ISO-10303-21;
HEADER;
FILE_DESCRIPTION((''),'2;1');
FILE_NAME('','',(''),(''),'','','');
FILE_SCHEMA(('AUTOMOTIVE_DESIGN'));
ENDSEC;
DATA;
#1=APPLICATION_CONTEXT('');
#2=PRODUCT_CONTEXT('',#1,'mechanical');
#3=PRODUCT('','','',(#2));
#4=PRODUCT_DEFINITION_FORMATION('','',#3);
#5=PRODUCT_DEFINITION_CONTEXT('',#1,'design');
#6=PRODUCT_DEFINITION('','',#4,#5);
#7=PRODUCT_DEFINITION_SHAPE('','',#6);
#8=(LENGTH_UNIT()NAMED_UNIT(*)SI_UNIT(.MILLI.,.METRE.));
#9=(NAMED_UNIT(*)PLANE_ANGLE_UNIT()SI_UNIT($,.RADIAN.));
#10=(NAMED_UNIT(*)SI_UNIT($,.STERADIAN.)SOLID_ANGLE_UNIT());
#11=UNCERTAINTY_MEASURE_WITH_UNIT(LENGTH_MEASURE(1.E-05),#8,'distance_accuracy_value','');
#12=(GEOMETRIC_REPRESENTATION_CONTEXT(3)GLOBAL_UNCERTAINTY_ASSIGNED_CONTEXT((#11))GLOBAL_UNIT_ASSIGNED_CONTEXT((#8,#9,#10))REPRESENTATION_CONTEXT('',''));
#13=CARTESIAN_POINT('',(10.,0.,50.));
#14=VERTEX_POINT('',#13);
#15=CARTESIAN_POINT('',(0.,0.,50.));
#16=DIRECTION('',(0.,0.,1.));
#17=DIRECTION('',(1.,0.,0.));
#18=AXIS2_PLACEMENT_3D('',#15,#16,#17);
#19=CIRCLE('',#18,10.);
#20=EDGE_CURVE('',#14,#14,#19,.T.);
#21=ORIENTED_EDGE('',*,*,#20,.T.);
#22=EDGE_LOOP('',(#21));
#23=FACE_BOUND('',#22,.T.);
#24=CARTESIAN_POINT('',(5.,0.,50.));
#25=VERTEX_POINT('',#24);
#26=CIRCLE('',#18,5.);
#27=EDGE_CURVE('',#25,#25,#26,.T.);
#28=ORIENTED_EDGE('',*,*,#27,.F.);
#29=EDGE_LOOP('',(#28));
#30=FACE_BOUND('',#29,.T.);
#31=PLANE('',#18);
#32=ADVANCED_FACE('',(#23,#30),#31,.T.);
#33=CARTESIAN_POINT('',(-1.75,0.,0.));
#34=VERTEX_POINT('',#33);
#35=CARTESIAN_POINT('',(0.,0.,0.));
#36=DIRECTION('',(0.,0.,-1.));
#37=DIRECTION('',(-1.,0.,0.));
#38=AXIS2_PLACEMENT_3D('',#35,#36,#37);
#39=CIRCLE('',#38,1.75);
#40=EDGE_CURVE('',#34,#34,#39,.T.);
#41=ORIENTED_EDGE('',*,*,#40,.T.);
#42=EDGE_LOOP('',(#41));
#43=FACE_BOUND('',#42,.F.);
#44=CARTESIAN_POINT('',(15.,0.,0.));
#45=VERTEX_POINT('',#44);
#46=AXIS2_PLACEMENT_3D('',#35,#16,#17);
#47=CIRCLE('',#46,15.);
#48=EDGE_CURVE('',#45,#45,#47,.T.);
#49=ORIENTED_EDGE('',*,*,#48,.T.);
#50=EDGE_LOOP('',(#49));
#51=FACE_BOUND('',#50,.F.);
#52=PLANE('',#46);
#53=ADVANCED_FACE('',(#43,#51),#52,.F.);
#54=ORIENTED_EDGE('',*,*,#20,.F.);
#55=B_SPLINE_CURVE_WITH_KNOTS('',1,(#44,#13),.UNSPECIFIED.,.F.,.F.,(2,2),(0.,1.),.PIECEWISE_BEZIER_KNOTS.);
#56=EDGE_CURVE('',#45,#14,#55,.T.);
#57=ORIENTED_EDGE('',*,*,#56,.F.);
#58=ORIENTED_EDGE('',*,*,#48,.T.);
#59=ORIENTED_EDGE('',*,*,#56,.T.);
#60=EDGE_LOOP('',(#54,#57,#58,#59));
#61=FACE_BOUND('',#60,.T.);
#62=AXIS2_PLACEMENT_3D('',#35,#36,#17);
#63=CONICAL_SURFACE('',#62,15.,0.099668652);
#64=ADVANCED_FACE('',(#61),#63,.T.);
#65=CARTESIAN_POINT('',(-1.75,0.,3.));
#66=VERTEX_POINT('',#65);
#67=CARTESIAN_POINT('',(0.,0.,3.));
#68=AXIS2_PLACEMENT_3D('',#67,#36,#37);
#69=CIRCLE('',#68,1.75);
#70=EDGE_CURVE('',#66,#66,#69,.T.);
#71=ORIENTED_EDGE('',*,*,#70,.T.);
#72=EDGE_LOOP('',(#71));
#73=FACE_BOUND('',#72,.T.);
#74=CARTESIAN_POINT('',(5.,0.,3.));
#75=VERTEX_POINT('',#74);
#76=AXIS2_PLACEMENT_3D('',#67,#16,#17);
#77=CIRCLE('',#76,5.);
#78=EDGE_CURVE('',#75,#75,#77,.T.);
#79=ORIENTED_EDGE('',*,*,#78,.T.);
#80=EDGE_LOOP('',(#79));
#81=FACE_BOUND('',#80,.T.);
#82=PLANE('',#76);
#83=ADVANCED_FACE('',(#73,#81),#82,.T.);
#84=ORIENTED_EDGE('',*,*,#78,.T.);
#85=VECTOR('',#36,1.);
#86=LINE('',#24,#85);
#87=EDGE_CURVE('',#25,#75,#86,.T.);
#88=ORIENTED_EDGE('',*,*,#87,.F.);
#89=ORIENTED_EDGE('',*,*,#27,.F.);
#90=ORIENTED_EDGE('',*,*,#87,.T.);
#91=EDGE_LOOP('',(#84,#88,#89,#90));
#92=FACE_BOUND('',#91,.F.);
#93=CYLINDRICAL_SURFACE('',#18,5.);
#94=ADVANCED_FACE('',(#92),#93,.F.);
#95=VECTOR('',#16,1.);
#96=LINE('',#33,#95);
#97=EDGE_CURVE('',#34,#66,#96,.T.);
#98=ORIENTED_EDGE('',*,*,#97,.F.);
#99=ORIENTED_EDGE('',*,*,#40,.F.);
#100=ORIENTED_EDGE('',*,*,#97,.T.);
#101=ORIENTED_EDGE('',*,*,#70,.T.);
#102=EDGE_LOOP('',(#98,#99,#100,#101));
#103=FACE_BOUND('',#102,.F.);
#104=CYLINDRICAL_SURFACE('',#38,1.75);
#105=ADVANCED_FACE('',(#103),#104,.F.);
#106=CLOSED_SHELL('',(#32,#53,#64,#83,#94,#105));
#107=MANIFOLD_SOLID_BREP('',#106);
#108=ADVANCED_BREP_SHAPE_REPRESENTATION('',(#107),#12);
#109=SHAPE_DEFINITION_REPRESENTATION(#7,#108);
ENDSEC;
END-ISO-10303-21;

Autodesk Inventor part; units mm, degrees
ref_plane "YZ Plane" through (0, 0, 0) normal (1, 0, 0) x (0, 1, 0)
ref_plane "XZ Plane" through (0, 0, 0) normal (0, 1, 0) x (-1, 0, 0)
sketch "Sketch1" plane through (0, 0, 0) normal (0, 0, 1) x (1, 0, 0)
  circle A0 centre (0, 0) radius 15
  dimension "d0" = 30
ref_plane "Work Plane1" through (0, 0, 50) normal (0, 0, 1) x (1, 0, 0)
sketch "Sketch2" plane through (0, 0, 50) normal (0, 0, 1) x (1, 0, 0)
  circle A0 centre (0, 0) radius 10
  dimension "d2" = 20
loft "Loft1" add profiles "Sketch1", "Sketch2"
sketch "Sketch3" plane through (0, 0, 50) normal (0, 0, 1) x (1, 0, 0)
  circle A0 centre (0, 0) radius 5
  dimension "d7" = 10
extrude "Extrusion1" cut sketch "Sketch3" against normal blind 47
sketch "Sketch4" plane through (0, 0, 0) normal (0, 0, -1) x (-1, 0, 0)
  circle A0 centre (0, 0) radius 1.75
  dimension "d10" = 3.5
extrude "Extrusion2" cut sketch "Sketch4" against normal blind 10
properties part number "training_wheels"
